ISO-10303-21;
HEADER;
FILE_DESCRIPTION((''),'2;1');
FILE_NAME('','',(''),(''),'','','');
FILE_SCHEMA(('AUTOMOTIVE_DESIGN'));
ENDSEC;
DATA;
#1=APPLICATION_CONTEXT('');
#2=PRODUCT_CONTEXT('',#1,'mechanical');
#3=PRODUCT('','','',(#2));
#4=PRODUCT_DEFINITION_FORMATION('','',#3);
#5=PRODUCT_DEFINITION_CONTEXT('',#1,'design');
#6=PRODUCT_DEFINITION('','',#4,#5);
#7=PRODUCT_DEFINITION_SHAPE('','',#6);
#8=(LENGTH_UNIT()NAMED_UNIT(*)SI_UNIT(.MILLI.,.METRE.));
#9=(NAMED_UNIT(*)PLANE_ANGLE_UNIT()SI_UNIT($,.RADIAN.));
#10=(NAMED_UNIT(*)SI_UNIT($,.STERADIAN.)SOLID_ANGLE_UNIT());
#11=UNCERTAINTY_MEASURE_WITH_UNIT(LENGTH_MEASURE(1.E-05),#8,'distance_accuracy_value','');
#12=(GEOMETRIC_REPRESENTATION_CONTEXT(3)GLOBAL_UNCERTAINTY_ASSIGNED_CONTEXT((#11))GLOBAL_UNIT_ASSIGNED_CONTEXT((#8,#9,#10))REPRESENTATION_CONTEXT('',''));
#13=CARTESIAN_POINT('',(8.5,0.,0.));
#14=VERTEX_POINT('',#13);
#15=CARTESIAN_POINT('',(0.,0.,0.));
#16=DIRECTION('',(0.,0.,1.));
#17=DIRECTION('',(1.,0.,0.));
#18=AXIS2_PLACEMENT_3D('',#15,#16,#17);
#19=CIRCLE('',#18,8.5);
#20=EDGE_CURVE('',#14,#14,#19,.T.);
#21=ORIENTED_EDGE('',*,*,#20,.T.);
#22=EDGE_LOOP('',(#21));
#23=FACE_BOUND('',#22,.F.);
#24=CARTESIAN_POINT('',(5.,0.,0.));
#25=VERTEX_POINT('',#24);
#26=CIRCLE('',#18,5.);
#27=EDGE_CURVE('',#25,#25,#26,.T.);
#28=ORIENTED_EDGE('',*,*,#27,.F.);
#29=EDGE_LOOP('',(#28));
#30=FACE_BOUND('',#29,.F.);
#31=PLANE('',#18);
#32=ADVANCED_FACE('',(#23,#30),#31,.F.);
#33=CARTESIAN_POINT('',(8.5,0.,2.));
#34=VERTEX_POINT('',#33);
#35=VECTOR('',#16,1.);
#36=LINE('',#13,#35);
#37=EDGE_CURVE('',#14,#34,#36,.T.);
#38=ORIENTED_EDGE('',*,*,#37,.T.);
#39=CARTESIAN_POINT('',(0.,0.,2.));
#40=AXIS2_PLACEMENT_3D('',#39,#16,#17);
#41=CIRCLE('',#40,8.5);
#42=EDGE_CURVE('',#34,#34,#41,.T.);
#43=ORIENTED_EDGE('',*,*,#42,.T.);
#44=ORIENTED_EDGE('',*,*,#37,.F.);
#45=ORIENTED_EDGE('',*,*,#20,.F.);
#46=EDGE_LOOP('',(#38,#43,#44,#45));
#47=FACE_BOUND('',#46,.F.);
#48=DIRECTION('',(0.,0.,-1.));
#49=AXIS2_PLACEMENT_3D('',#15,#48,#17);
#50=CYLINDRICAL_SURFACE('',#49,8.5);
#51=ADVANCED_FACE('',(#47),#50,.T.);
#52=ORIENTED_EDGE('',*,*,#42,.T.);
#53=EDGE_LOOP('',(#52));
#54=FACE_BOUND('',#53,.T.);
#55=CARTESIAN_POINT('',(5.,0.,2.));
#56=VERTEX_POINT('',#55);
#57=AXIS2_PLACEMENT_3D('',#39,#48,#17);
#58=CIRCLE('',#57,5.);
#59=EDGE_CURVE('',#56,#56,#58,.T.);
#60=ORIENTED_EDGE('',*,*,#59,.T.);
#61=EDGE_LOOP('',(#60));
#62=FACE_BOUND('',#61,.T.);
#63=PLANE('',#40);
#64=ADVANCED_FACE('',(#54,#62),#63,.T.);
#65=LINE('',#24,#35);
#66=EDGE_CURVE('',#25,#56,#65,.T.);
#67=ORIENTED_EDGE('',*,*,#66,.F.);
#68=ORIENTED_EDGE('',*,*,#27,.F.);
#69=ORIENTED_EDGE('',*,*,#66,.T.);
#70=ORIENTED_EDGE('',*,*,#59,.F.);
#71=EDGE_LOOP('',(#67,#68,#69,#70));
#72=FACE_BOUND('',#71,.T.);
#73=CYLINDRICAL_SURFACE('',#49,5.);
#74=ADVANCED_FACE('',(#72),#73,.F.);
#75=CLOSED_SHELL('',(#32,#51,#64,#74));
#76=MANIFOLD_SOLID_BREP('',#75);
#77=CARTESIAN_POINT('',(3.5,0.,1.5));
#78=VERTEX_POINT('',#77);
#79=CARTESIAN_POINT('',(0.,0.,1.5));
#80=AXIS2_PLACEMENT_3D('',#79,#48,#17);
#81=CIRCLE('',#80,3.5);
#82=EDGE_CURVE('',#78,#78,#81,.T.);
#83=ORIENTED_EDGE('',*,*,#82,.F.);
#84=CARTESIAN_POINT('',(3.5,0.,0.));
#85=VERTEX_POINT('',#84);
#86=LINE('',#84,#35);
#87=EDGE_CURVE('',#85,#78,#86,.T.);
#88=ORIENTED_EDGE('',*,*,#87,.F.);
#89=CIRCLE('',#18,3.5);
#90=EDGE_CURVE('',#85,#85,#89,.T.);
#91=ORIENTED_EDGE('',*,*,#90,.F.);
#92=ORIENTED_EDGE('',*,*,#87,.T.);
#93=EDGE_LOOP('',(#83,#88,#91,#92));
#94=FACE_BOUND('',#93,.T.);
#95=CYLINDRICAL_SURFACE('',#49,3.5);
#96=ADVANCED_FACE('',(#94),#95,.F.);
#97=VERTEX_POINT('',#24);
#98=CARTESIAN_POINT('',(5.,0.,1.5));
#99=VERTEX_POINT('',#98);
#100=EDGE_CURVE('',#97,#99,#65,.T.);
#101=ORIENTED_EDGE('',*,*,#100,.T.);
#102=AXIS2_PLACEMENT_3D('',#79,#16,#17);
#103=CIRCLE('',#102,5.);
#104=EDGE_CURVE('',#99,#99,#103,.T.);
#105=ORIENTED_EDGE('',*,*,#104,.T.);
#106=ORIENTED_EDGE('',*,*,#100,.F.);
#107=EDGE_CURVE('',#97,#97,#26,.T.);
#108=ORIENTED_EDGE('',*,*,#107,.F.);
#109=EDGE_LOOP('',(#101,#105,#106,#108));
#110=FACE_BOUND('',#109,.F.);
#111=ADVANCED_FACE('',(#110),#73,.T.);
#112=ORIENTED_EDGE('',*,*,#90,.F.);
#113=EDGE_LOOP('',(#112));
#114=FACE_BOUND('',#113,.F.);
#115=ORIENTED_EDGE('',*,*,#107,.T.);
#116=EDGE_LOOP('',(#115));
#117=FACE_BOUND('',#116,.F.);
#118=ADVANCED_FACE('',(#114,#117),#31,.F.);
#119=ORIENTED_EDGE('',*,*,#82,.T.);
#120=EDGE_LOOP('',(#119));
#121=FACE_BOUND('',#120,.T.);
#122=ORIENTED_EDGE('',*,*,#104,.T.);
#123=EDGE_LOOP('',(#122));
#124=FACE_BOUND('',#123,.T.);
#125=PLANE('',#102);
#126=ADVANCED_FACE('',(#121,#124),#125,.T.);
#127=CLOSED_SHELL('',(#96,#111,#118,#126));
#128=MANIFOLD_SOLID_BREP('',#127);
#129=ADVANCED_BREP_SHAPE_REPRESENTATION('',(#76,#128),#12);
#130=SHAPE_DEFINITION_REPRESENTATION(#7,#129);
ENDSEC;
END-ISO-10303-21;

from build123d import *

# Parameters (mm, degrees)
F0_R     = 8.5
F3_DEPTH = 2
F2_R     = 5
F4_DEPTH = 5
F5_DEPTH = 1.5
F1_R     = 3.5
F6_DEPTH = 25


with BuildPart() as f3:
    # F0 (on Top) → F3 (new body)
    with BuildSketch(Plane.XY):
        Circle(F0_R)
    extrude(amount=F3_DEPTH)

    # F2 (on Top) → F4 (cut)
    with BuildSketch(Plane.XY):
        Circle(F2_R)
    extrude(amount=F4_DEPTH, mode=Mode.SUBTRACT)


with BuildPart() as f5:
    # F2 (on Top) → F5 (new body)
    with BuildSketch(Plane.XY):
        Circle(F2_R)
    extrude(amount=F5_DEPTH)

    # F1 (on Top) → F6 (cut)
    with BuildSketch(Plane.XY):
        Circle(F1_R)
    extrude(amount=F6_DEPTH, mode=Mode.SUBTRACT)


solid = Compound([f3.part, f5.part])
